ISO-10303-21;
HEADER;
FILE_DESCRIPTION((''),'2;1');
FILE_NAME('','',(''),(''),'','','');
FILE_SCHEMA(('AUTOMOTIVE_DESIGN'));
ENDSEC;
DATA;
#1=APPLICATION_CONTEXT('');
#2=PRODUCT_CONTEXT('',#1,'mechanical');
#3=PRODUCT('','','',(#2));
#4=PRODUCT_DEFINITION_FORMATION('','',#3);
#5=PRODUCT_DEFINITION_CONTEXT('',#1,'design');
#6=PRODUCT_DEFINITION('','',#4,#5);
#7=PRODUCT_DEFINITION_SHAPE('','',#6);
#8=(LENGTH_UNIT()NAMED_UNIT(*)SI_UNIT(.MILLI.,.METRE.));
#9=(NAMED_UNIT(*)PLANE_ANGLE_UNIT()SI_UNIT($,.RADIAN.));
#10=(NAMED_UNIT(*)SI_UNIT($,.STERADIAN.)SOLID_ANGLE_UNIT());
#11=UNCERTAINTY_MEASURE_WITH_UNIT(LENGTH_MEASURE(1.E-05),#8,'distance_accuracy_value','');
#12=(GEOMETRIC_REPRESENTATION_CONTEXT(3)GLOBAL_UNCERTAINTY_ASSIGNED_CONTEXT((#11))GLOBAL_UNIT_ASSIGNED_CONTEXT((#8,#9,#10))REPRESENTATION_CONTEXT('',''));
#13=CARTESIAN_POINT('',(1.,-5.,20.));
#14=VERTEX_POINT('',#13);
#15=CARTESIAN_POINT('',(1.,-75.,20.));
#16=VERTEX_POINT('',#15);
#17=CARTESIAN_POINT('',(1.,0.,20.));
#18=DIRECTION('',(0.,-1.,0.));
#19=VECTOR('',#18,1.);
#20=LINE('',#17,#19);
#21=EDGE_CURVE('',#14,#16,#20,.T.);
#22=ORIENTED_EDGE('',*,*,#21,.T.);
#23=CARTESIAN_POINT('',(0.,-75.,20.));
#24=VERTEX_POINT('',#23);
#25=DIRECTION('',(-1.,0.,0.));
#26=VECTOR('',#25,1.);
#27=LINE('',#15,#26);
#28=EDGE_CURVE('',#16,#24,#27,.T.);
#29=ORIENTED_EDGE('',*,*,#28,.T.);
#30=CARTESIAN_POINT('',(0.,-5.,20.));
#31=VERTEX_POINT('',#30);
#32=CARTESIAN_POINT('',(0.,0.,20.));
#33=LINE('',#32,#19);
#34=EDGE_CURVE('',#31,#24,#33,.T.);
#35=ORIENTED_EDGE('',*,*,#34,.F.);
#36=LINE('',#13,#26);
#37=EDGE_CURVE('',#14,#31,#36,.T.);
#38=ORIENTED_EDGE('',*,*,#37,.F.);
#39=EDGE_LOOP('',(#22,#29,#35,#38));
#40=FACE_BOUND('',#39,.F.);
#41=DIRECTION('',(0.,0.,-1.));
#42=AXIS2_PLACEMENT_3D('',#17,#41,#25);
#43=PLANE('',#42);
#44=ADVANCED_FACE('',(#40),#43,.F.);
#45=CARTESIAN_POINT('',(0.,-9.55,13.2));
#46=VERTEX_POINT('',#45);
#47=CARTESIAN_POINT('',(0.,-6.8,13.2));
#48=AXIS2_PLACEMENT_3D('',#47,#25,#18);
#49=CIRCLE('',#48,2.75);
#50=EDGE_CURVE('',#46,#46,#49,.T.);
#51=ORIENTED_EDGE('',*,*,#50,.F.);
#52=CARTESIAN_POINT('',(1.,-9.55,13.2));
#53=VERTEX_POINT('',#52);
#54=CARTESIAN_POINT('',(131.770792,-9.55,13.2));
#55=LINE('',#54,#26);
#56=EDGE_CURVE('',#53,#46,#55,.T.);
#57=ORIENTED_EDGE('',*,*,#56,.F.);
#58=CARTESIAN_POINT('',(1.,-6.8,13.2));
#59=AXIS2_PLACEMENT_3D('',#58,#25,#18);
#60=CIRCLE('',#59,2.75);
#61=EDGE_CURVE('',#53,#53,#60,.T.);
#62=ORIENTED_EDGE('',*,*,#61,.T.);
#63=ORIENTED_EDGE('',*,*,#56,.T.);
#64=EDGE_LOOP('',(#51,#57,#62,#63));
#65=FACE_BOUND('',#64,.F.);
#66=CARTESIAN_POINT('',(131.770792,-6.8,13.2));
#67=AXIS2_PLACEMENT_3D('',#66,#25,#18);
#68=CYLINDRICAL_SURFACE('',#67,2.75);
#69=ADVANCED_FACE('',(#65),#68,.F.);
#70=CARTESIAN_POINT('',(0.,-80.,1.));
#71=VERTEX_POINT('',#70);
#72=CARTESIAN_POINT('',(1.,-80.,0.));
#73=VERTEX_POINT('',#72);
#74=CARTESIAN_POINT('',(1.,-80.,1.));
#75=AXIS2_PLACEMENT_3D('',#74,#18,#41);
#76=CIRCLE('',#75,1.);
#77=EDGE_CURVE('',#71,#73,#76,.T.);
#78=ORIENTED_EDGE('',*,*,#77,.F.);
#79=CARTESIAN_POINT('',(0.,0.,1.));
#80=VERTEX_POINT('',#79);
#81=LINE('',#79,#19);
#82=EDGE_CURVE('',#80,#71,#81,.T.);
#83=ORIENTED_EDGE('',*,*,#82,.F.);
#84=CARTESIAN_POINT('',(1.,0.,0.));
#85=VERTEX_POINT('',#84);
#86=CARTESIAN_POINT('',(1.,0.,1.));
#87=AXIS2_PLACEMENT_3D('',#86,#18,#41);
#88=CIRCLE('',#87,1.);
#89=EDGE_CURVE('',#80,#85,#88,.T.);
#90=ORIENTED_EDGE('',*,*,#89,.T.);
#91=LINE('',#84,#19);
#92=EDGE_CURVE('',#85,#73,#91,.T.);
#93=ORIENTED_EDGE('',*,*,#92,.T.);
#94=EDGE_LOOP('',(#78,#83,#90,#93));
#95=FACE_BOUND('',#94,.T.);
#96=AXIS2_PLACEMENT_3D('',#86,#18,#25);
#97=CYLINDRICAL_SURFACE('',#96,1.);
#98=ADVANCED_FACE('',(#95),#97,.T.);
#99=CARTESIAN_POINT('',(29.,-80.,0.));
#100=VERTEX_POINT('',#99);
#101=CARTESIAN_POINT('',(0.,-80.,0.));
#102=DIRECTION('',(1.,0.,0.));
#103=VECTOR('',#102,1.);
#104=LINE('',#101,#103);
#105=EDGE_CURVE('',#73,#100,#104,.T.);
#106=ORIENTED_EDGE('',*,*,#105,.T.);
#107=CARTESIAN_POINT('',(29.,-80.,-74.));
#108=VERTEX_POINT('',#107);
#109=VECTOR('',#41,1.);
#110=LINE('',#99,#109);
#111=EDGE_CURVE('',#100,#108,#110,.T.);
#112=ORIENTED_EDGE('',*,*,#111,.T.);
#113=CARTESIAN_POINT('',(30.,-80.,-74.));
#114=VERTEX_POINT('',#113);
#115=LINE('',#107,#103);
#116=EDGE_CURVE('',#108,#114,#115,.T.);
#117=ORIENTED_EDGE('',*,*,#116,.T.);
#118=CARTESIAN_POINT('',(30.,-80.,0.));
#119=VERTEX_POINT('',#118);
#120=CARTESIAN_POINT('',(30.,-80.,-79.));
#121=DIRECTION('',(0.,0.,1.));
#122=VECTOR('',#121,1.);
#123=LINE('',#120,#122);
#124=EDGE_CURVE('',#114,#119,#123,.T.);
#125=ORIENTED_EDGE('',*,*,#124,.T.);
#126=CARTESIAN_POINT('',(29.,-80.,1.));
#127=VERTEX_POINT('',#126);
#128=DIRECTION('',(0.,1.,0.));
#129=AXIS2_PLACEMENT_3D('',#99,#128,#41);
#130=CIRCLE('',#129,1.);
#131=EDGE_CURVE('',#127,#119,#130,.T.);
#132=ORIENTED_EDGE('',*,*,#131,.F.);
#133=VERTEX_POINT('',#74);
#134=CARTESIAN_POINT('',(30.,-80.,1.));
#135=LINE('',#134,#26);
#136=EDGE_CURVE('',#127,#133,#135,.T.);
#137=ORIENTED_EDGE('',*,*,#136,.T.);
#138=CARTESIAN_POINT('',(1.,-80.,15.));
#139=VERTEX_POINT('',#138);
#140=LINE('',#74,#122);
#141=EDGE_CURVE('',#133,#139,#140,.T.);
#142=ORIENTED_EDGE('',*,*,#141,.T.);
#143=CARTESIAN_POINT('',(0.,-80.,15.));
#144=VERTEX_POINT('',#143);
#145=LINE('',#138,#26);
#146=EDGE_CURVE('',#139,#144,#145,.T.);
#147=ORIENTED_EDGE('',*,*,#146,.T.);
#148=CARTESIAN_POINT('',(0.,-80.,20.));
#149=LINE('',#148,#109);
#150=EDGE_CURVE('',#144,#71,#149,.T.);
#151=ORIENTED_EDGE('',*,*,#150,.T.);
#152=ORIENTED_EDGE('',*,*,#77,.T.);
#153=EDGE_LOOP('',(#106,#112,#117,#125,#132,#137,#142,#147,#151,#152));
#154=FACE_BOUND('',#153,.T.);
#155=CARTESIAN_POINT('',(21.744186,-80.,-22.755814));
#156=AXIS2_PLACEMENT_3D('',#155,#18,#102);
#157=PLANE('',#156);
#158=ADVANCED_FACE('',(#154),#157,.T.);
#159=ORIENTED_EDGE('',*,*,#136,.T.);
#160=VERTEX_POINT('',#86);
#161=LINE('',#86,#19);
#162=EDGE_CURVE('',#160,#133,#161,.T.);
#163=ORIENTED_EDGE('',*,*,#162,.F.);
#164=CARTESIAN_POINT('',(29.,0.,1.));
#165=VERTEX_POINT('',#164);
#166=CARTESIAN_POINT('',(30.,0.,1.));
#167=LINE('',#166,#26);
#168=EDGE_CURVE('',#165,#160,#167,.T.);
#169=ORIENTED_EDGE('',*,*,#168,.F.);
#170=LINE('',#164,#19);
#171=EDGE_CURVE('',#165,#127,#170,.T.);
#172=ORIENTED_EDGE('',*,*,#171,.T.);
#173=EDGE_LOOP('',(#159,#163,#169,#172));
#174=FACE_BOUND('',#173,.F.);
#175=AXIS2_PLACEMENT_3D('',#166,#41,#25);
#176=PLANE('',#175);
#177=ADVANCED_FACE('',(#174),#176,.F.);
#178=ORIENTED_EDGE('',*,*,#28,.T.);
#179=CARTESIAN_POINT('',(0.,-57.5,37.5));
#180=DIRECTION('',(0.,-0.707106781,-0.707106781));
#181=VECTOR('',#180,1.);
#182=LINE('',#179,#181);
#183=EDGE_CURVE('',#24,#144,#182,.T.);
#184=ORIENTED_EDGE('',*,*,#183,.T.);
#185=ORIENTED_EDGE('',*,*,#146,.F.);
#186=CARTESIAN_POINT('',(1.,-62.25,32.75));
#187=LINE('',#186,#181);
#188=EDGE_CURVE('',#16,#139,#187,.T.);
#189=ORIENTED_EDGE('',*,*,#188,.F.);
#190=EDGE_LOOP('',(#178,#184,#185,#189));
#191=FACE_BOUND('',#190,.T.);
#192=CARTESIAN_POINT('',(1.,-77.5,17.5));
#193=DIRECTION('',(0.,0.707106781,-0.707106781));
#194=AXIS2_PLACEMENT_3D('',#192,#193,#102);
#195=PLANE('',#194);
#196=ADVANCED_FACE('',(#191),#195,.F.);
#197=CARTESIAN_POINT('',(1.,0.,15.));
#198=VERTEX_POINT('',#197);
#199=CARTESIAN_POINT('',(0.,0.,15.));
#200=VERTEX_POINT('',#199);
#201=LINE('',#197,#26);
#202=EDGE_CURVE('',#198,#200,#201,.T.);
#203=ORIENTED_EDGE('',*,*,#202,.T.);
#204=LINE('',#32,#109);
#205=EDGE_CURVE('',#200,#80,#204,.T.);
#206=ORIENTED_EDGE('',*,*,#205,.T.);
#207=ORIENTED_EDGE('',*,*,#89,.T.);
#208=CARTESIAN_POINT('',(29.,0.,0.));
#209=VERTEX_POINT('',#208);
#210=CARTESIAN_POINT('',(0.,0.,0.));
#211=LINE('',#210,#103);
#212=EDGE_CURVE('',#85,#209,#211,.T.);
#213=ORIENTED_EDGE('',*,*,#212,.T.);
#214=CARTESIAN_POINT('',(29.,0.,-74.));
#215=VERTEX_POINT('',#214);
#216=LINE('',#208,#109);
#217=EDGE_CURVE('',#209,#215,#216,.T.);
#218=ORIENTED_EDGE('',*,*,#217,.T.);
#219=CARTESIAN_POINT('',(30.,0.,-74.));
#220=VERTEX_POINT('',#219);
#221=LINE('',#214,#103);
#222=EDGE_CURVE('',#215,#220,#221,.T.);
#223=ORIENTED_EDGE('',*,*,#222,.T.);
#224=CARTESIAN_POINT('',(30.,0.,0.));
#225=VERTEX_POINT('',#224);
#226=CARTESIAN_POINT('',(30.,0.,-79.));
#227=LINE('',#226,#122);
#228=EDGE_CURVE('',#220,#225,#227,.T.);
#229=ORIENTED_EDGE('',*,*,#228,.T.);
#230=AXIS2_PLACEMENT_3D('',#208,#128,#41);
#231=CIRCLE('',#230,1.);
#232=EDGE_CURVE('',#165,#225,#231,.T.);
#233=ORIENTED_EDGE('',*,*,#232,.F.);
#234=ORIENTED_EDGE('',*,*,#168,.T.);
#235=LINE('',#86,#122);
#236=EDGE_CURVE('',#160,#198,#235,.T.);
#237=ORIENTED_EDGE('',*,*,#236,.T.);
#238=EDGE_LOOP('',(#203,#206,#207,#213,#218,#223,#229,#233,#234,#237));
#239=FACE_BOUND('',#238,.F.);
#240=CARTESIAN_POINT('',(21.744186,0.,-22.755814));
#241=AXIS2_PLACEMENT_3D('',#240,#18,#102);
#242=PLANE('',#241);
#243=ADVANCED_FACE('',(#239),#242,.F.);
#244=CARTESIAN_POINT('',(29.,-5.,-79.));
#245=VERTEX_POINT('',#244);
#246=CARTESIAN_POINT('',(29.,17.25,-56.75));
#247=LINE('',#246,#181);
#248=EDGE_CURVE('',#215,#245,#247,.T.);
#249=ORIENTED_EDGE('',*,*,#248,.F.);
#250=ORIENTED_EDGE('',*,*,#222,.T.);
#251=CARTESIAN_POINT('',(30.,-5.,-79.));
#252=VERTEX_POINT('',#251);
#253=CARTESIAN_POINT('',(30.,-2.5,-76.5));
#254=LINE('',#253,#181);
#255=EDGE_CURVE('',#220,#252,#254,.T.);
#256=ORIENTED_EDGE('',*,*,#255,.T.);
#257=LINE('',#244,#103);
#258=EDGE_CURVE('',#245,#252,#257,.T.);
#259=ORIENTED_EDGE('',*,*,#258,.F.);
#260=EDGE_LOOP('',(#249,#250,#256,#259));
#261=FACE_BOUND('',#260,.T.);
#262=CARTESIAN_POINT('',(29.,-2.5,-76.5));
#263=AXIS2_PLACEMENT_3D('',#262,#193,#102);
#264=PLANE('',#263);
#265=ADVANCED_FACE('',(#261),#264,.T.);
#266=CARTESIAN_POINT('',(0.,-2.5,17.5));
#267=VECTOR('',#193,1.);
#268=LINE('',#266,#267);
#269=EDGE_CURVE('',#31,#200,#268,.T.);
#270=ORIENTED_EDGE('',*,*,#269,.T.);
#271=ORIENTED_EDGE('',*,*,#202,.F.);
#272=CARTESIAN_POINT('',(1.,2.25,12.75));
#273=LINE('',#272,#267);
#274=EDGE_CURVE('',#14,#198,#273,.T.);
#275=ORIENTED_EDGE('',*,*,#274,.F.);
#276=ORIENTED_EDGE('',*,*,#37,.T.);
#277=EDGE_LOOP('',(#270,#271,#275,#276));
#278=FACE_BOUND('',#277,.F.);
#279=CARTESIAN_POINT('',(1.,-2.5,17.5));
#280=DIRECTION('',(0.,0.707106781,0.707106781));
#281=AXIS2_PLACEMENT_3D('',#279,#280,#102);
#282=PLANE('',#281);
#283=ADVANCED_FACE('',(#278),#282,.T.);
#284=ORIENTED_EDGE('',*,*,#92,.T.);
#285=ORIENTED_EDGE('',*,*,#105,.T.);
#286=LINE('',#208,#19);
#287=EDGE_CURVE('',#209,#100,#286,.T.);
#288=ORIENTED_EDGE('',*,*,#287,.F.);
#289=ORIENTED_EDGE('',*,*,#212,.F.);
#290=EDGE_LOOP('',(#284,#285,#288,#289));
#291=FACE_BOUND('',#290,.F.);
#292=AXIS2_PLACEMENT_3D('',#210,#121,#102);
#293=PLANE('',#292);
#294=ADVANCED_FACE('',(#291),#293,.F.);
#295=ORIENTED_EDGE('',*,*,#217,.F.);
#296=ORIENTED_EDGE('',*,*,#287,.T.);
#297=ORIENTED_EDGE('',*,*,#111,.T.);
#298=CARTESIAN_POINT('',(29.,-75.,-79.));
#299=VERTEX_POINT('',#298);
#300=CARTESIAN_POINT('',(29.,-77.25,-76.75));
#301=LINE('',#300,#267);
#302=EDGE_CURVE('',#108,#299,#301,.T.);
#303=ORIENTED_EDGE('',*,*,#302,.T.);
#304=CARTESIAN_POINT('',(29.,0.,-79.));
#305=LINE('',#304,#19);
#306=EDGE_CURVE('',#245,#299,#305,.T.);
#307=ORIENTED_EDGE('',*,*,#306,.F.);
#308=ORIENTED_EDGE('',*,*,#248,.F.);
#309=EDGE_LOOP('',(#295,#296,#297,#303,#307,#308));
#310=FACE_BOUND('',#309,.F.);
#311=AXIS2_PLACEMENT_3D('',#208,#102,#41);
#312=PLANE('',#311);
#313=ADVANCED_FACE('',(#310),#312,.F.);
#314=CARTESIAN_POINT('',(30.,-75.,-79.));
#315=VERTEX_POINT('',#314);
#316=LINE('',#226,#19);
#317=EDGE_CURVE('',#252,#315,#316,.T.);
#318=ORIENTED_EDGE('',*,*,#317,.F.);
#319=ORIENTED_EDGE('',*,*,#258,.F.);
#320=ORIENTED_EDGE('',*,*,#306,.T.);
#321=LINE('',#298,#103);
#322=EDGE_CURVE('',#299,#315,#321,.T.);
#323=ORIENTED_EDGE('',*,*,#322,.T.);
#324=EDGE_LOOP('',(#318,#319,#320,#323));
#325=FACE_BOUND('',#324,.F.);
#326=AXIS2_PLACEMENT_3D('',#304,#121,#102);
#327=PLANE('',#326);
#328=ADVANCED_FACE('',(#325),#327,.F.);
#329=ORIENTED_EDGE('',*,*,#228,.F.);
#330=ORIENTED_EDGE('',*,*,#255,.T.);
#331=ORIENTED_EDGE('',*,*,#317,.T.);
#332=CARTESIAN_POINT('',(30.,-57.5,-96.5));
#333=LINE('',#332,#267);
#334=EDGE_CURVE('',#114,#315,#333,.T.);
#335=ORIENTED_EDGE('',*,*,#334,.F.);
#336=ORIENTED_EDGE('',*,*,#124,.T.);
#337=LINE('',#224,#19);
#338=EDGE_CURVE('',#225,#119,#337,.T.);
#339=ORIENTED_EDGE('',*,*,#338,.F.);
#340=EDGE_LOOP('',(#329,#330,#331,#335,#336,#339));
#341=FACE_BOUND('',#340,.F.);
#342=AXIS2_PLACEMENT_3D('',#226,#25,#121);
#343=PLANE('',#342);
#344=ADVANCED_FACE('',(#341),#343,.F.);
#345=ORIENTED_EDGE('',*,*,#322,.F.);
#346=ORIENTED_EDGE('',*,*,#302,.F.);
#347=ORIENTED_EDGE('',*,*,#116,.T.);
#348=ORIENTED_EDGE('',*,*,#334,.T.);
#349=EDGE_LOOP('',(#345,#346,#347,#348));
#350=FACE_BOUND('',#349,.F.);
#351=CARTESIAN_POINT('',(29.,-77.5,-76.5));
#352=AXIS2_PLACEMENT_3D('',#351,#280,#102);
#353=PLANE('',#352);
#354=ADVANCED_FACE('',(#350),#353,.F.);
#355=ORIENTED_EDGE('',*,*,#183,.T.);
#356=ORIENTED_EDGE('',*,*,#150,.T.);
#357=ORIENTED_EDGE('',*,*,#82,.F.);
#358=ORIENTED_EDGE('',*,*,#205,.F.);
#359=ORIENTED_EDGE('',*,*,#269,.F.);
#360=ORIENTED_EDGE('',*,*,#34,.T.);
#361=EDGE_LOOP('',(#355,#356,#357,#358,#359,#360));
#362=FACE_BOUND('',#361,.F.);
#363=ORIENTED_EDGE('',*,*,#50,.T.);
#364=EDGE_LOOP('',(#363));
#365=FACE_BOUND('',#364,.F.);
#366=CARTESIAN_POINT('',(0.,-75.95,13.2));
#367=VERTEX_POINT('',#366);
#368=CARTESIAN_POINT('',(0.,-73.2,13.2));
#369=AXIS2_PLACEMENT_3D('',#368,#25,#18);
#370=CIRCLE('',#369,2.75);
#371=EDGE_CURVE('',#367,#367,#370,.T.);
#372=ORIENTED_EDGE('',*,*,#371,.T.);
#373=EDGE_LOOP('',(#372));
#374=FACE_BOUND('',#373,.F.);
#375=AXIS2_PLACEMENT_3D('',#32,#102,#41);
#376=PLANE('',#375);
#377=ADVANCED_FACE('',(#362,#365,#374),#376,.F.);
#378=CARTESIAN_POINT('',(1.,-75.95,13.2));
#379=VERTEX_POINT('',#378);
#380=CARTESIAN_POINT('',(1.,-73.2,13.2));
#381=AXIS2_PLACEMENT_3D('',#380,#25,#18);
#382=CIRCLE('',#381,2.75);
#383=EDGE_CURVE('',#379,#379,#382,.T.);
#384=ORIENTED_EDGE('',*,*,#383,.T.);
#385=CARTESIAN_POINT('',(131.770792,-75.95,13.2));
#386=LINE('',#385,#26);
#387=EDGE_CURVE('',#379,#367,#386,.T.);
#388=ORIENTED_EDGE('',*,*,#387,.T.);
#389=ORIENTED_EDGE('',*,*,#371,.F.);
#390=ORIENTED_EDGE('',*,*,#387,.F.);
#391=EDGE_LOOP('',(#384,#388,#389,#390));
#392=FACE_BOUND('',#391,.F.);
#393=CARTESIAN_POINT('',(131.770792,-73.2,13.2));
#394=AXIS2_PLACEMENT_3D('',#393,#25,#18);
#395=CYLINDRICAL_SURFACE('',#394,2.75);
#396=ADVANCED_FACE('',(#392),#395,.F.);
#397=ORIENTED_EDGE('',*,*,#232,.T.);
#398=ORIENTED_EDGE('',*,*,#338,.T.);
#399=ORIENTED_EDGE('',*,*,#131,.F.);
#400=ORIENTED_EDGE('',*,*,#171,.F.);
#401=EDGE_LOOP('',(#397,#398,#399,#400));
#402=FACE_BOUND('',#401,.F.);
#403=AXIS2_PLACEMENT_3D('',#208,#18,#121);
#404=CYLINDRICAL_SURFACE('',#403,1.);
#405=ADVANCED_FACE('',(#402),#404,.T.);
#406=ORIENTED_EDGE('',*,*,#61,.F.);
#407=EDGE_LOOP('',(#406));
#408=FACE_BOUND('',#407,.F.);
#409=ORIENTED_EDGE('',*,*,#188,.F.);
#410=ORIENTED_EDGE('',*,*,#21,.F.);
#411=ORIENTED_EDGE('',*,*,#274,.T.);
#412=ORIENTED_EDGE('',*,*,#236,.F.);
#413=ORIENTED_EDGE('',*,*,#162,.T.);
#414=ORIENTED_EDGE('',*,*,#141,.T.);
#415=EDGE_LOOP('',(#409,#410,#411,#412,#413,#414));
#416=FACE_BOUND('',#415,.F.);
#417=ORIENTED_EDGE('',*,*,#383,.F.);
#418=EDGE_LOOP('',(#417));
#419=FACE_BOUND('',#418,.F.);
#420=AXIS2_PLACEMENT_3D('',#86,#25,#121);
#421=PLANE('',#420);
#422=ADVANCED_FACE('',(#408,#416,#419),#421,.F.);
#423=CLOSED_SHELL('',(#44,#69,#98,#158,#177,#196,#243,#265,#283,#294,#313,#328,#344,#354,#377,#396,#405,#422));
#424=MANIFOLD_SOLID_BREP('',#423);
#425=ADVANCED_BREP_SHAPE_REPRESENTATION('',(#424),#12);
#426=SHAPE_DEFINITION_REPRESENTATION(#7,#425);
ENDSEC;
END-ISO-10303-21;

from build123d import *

# Parameters (mm, degrees)
F1_DEPTH = 80
F3_D     = 5.5
F4_SIZE  = 5
F5_R     = 1


with BuildPart() as f1:
    # F0 (on Front) → F1 (new body)
    with BuildSketch(Plane.XZ):
        Polygon((0, 20), (0, 0), (29, 0), (29, -79), (30, -79), (30, 1), (1, 1), (1, 20), align=None)
    extrude(amount=F1_DEPTH)

    # F3 (through all)
    with Locations(Plane.YZ.offset(1)):
        with Locations((-73.2, 13.2), (-6.8, 13.2)):
            Hole(F3_D / 2)

    # F4
    f4_edges = [f1.edges().sort_by_distance(p)[0] for p in [
        (0.5, -80, 20),
        (0.5, 0, 20),
        (29.5, 0, -79),
        (29.5, -80, -79),
    ]]
    chamfer(f4_edges, length=F4_SIZE)

    # F5
    f5_edges = [f1.edges().sort_by_distance(p)[0] for p in [
        (30, -40, 1),
        (0, -40, 0),
    ]]
    fillet(f5_edges, radius=F5_R)


solid = f1.part
